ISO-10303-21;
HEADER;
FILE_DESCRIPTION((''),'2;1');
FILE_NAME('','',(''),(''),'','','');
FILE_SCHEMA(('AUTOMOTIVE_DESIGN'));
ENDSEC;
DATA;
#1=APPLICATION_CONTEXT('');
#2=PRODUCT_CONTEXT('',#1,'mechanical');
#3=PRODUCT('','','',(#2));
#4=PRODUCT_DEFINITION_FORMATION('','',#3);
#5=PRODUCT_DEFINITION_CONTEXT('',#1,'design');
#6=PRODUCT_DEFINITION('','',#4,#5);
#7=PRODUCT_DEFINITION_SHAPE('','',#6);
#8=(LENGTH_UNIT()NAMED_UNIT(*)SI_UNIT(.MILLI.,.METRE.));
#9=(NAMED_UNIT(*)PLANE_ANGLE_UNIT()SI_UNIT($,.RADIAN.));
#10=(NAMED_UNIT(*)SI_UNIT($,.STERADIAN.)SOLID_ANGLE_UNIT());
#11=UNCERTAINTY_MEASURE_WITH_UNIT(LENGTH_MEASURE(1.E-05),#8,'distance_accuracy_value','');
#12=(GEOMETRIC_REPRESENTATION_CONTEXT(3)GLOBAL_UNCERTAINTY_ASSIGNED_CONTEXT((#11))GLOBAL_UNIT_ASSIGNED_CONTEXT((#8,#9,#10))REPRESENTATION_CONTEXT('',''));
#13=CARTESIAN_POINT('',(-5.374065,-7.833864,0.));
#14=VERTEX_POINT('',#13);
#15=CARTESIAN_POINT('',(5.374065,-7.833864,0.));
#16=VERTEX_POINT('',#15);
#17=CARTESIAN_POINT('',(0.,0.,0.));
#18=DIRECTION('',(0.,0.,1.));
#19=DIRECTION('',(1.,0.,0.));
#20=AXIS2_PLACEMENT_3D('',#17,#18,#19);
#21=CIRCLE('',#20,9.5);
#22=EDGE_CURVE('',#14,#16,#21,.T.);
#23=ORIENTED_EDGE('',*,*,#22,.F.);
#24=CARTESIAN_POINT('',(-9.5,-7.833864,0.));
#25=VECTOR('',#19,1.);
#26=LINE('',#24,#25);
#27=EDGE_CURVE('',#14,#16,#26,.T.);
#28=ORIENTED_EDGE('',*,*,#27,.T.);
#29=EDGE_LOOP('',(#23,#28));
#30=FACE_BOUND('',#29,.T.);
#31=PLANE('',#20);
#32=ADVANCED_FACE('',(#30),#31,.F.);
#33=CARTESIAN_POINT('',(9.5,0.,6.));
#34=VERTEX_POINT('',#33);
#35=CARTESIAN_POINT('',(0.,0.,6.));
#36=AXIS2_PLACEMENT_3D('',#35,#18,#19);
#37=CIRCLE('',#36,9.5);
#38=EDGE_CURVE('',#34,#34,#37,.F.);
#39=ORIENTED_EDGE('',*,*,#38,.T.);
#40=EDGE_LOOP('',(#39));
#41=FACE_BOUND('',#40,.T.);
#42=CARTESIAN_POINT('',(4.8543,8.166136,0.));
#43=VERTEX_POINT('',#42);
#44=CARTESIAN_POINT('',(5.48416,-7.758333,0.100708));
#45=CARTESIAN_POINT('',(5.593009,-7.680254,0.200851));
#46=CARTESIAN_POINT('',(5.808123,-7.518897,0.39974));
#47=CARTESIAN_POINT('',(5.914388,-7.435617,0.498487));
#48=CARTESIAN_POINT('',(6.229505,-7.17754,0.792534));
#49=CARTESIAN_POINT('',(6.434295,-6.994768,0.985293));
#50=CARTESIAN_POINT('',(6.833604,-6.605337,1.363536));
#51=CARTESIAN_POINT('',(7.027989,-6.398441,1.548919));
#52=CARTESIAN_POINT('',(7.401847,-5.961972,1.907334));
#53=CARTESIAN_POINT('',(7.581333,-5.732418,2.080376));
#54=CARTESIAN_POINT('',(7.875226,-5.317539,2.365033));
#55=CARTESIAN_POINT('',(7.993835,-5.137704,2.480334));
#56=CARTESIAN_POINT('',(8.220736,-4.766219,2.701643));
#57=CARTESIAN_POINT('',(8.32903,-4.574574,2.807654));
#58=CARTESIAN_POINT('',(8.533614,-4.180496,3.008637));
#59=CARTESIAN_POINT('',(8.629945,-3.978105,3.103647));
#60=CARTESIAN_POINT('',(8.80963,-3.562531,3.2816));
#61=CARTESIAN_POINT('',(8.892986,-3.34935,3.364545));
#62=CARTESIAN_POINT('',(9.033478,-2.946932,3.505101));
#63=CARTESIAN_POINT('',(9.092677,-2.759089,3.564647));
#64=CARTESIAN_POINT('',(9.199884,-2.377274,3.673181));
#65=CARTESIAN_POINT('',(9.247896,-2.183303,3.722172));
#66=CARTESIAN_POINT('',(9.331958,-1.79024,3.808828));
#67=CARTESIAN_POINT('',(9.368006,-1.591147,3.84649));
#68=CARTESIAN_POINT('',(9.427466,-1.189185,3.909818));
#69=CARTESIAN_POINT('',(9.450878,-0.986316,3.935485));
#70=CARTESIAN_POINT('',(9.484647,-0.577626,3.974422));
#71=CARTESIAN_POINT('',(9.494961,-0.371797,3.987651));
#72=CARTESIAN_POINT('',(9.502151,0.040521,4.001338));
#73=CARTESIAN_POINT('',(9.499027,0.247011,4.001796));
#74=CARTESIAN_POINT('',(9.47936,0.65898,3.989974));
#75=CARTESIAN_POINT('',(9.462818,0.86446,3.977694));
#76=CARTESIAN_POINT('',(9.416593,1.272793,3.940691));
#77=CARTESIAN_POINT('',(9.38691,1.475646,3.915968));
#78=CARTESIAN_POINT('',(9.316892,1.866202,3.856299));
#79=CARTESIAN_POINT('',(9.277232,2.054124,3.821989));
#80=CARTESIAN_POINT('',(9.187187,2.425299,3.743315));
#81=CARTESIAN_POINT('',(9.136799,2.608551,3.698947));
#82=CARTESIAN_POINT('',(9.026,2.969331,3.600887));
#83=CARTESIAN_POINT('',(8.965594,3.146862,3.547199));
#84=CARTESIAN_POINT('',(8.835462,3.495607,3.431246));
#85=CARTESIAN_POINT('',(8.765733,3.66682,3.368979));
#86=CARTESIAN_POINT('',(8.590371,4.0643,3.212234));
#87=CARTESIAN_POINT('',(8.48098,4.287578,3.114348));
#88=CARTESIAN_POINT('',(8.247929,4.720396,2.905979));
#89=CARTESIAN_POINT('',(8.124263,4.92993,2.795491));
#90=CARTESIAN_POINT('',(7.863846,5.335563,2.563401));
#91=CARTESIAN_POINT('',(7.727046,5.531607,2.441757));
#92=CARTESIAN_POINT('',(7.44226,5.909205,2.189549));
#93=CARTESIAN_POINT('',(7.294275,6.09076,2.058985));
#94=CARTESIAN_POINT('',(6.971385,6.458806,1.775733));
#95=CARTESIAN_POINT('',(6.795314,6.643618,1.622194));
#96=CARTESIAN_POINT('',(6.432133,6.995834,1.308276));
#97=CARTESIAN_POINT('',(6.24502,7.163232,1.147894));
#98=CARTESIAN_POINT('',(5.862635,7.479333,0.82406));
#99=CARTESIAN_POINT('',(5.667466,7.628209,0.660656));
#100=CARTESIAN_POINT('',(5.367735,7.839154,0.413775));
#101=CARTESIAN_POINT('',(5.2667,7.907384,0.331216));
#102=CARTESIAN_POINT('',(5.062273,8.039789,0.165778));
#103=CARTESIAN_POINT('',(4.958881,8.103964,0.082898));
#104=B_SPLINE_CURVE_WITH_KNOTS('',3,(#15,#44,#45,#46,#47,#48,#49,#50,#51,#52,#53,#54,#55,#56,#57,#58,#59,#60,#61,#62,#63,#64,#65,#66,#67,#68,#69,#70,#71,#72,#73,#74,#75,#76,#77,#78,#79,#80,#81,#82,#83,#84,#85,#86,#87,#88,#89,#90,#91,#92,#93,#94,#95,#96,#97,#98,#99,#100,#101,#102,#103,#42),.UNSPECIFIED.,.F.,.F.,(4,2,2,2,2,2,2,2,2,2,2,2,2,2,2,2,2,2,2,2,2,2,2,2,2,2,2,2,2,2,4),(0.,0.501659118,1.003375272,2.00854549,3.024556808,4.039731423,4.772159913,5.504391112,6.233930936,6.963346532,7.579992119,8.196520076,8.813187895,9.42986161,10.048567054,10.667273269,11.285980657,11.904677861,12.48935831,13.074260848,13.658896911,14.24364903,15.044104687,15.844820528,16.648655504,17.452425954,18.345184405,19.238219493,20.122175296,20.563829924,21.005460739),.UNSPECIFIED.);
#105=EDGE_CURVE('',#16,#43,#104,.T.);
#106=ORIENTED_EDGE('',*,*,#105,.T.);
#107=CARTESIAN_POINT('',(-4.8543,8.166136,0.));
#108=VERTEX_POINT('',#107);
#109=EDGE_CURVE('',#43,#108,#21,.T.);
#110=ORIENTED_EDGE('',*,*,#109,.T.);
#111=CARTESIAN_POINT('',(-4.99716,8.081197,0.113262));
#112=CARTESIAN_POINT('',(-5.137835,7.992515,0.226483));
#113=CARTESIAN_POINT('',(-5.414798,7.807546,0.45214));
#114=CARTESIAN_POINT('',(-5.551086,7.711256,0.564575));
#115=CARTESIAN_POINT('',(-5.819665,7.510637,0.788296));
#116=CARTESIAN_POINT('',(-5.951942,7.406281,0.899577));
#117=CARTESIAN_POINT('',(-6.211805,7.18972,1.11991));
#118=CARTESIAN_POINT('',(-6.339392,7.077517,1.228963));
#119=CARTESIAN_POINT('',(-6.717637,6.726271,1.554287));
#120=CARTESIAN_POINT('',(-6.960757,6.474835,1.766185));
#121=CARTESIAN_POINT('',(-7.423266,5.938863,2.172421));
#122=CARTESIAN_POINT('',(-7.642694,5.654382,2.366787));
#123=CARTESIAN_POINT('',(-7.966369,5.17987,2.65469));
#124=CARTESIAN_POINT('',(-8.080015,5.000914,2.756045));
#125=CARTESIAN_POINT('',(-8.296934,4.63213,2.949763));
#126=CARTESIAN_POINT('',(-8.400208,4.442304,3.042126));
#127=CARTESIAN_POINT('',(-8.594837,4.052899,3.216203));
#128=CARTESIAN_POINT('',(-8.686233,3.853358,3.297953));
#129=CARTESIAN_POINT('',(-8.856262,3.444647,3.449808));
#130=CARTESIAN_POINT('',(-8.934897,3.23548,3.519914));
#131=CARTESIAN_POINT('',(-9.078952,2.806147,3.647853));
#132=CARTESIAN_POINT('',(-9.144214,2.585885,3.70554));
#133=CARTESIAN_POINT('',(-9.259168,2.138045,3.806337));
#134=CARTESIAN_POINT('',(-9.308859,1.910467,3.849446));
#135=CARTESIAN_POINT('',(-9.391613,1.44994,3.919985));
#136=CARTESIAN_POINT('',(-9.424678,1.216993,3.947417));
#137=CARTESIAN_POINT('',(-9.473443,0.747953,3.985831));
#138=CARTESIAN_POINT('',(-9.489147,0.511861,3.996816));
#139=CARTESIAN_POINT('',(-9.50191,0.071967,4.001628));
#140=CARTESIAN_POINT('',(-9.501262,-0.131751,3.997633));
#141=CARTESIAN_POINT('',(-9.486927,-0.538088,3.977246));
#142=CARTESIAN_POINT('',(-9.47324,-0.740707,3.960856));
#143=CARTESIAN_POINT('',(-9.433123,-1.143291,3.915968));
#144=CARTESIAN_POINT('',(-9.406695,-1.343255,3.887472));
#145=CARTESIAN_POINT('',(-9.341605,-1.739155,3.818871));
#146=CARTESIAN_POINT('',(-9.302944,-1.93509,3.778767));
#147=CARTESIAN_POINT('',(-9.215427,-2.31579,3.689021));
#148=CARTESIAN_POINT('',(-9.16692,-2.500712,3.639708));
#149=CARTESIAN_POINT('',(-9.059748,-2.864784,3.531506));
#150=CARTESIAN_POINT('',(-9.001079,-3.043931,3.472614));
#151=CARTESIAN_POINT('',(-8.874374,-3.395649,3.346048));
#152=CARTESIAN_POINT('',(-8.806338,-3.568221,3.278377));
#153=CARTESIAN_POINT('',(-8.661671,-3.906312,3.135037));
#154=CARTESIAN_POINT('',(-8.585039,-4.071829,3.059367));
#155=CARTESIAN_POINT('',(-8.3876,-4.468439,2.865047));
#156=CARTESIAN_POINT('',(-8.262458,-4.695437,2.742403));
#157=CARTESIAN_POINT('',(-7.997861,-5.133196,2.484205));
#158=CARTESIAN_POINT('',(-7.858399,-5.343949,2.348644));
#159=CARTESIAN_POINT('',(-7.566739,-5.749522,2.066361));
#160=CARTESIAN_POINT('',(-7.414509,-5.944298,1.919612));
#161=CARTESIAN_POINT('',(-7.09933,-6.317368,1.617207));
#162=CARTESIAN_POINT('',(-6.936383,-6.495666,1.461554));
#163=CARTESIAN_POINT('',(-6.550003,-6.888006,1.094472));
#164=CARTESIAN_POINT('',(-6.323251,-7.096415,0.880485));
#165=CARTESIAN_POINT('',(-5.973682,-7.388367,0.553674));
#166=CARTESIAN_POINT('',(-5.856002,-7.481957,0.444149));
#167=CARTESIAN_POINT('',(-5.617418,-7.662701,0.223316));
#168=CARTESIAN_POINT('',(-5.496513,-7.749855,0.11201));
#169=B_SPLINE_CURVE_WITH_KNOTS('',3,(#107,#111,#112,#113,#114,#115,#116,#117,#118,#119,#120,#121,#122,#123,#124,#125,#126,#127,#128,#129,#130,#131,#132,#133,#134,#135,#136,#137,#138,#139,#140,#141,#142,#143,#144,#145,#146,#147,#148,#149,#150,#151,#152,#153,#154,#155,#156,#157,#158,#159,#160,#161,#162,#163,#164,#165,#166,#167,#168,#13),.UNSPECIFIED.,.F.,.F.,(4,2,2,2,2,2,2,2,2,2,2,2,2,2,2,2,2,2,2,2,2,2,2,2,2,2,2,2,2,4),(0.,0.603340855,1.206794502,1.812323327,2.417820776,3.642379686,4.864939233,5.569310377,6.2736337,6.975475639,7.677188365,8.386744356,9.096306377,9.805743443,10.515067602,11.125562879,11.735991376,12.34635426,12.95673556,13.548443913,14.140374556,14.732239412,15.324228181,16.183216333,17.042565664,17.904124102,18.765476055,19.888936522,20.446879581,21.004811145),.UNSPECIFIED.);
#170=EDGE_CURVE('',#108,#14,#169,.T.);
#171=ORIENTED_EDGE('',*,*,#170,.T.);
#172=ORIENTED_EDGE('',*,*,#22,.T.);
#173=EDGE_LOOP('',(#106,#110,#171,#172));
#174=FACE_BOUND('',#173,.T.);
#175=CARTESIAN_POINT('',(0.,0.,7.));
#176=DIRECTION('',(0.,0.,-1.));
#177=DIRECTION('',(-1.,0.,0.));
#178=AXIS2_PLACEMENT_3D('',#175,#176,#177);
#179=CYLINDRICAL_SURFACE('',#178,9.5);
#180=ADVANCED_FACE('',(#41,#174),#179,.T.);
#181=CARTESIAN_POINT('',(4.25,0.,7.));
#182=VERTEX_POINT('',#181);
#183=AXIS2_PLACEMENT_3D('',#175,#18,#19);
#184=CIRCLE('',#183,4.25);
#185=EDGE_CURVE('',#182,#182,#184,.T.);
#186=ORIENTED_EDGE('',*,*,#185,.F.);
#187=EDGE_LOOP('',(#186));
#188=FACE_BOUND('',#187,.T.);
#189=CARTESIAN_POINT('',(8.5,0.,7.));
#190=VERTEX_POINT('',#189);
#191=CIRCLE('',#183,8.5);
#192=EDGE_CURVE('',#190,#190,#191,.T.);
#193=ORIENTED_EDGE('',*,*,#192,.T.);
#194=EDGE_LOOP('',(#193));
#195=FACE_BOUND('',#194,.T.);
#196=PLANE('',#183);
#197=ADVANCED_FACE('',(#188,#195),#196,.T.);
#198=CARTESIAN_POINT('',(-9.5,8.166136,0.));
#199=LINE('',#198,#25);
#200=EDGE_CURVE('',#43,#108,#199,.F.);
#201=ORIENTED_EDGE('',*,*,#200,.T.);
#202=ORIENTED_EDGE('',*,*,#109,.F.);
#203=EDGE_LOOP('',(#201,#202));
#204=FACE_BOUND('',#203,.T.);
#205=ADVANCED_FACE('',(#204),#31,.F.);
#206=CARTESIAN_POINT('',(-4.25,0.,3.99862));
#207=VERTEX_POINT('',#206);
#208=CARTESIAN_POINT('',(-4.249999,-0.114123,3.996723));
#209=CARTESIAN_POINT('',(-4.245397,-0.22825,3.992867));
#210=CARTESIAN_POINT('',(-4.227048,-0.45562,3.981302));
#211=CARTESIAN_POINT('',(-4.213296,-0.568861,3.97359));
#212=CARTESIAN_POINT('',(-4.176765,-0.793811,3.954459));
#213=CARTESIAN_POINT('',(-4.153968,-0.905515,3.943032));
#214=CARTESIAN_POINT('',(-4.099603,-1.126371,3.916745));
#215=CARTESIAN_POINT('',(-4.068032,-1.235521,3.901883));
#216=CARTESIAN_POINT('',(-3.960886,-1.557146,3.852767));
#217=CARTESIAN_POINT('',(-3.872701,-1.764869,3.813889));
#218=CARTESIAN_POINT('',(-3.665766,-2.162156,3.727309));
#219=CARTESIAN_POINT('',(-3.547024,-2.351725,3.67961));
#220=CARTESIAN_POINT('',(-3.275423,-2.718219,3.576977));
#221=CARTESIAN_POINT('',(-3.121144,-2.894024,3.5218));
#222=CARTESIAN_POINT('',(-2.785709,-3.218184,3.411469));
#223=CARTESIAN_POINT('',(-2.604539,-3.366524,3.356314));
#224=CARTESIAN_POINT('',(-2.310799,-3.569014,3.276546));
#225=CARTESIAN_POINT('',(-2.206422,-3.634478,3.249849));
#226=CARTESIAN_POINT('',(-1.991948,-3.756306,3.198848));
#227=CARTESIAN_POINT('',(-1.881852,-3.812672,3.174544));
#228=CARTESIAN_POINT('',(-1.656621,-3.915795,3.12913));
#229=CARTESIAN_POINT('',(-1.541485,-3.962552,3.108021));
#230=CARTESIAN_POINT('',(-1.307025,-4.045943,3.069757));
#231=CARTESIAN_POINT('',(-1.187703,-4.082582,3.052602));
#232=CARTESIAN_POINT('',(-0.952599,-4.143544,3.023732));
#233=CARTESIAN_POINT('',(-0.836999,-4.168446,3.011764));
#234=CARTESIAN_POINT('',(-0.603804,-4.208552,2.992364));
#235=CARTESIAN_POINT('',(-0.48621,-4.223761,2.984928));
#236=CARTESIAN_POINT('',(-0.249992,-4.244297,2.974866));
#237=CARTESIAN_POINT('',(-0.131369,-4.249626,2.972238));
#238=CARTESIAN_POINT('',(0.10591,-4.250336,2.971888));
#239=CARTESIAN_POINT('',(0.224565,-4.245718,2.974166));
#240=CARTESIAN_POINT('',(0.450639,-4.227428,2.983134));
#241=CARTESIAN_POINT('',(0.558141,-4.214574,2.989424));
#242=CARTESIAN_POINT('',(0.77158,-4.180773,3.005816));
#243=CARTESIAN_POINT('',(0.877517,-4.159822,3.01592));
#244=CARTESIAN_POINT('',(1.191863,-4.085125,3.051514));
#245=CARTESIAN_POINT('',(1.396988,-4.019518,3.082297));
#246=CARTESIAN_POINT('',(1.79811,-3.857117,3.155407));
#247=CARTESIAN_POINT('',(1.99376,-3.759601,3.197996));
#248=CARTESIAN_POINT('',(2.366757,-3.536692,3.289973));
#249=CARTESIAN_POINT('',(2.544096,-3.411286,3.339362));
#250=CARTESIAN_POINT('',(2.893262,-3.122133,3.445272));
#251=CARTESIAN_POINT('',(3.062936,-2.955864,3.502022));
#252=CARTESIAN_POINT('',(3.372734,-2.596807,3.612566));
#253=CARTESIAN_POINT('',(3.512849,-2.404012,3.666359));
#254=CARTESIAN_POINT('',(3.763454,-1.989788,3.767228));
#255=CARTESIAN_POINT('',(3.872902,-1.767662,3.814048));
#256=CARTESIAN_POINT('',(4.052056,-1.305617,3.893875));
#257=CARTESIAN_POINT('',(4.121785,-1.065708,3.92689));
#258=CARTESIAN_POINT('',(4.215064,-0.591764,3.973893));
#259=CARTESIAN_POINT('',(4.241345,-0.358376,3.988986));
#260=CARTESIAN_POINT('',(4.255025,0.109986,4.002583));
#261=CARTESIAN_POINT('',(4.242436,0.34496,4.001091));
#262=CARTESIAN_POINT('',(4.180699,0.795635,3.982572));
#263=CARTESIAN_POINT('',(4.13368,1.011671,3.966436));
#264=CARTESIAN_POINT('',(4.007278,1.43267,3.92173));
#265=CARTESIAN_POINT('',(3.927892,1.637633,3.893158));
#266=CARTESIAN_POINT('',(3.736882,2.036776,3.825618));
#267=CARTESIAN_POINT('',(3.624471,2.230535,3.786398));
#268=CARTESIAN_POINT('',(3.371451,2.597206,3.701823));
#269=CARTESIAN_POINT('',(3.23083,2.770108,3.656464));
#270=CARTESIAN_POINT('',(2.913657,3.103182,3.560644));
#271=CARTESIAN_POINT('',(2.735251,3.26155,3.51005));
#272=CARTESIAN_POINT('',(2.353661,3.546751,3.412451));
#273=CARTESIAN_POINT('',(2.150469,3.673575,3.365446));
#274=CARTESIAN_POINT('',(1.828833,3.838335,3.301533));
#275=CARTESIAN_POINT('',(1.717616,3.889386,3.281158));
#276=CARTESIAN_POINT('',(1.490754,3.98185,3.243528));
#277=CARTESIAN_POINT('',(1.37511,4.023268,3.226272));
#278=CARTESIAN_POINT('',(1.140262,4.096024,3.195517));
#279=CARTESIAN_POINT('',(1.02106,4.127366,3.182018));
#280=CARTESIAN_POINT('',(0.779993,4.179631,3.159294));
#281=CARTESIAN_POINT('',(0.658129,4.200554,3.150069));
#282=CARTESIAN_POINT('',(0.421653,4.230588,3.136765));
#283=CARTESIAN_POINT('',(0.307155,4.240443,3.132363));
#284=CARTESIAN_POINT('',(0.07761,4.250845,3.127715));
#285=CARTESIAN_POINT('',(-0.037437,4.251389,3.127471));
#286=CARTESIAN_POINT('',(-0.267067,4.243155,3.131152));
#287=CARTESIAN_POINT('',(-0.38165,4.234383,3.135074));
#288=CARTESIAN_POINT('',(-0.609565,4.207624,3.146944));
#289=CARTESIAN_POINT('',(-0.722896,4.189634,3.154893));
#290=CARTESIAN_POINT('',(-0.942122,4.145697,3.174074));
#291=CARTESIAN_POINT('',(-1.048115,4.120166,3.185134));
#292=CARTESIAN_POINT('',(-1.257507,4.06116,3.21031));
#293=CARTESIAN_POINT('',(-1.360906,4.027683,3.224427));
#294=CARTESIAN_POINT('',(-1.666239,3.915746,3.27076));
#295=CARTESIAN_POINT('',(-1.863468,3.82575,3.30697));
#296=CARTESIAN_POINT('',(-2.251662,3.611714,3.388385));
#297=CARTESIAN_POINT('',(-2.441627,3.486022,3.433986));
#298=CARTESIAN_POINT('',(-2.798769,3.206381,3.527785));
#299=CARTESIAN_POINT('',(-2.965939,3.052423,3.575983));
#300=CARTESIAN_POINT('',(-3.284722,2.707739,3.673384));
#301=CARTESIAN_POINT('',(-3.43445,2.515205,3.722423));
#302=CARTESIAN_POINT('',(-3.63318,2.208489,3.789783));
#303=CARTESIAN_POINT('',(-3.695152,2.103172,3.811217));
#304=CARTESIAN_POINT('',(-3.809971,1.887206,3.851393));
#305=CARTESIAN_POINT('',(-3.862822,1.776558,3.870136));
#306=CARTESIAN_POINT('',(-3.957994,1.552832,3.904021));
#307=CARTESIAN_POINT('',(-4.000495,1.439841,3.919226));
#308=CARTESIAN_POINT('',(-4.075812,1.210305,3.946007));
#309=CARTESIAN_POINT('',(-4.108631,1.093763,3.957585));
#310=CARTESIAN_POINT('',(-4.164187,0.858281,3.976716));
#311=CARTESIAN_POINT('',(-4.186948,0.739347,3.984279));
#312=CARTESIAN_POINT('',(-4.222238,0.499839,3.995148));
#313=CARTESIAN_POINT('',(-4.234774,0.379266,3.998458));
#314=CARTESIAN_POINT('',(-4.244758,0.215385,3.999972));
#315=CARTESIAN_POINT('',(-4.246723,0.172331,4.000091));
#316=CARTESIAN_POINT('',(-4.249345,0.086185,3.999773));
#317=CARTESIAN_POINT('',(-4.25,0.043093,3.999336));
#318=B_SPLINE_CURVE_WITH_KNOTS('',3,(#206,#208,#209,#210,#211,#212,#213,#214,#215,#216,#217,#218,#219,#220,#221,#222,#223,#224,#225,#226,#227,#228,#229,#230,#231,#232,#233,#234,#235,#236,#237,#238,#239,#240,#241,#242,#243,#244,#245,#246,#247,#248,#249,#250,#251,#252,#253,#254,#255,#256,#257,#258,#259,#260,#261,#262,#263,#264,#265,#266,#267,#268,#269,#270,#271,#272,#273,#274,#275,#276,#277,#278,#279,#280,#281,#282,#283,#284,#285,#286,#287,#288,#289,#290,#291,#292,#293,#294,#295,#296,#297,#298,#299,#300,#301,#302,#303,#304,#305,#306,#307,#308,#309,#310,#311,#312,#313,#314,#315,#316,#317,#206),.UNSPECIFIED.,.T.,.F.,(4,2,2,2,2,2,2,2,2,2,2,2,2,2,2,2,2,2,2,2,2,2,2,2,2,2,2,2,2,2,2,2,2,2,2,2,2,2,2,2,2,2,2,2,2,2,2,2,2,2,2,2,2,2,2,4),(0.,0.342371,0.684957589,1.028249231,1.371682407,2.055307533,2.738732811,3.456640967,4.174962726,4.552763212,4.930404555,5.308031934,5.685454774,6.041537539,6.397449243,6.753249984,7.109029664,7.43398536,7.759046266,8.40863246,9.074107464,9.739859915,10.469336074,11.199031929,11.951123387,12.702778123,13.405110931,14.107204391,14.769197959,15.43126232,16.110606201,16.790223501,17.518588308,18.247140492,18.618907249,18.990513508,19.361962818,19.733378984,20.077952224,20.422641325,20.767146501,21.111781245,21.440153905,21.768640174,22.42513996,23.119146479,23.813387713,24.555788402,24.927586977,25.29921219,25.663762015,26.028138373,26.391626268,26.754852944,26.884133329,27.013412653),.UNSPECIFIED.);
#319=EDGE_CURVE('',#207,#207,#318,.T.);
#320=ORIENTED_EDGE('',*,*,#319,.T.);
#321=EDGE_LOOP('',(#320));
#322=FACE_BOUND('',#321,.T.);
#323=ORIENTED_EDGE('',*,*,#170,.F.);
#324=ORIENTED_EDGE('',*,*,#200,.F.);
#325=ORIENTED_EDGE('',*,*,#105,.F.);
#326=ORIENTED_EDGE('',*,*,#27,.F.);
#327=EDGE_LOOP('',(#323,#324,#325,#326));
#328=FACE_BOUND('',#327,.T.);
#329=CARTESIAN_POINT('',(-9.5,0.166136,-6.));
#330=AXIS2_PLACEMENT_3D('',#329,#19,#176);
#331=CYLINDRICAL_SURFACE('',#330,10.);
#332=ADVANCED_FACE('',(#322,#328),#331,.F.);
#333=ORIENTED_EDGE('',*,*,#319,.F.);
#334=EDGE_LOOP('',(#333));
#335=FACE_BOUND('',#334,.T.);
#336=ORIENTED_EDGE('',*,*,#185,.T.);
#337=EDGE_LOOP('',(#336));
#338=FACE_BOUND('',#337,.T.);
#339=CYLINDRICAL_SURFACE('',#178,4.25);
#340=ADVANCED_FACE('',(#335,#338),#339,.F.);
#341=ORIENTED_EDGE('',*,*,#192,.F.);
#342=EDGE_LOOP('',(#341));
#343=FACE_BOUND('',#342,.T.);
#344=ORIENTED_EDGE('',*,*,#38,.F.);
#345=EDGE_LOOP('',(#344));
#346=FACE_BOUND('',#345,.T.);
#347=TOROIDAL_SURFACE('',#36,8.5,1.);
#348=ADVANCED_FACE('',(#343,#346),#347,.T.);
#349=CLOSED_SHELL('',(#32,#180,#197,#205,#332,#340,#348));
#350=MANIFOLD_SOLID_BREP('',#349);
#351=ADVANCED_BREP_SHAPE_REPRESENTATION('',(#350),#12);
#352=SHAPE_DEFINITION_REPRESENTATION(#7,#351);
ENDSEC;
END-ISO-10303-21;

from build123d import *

# Parameters (mm, degrees)
SKETCH_1_R               = 9.5
SKETCH_1_R_2             = 4.25
EXTRUDE_1_DEPTH          = 7
CUT_EXTRUDE_1_DEPTH      = 16.149257408
CUT_EXTRUDE_1_DEPTH_BACK = 16.149257408
SKETCH_3_R               = 10
FILLET_1_R               = 1


with BuildPart() as part:
    # Эскиз1 → Бобышка-Вытянуть1 (new body)
    with BuildSketch(Plane.XY):
        Circle(SKETCH_1_R)
        Circle(SKETCH_1_R_2, mode=Mode.SUBTRACT)
    extrude(amount=EXTRUDE_1_DEPTH)

    # Эскиз3 → Вырез-Вытянуть1 (cut, two sides: drawn at the far end of the back side and taken through both)
    with BuildSketch(Plane(origin=(0, 0, 0), x_dir=(0, 0, -1), z_dir=(1, 0, 0)).offset(-CUT_EXTRUDE_1_DEPTH_BACK)):
        with Locations((6, 0.166135782)):
            Circle(SKETCH_3_R)
    extrude(amount=CUT_EXTRUDE_1_DEPTH + CUT_EXTRUDE_1_DEPTH_BACK, mode=Mode.SUBTRACT)

    # Скругление1
    fillet_1_edges = [part.edges().sort_by_distance(p)[0] for p in [
        (-9.5, 0, 7),
    ]]
    fillet(fillet_1_edges, radius=FILLET_1_R)


solid = part.part
